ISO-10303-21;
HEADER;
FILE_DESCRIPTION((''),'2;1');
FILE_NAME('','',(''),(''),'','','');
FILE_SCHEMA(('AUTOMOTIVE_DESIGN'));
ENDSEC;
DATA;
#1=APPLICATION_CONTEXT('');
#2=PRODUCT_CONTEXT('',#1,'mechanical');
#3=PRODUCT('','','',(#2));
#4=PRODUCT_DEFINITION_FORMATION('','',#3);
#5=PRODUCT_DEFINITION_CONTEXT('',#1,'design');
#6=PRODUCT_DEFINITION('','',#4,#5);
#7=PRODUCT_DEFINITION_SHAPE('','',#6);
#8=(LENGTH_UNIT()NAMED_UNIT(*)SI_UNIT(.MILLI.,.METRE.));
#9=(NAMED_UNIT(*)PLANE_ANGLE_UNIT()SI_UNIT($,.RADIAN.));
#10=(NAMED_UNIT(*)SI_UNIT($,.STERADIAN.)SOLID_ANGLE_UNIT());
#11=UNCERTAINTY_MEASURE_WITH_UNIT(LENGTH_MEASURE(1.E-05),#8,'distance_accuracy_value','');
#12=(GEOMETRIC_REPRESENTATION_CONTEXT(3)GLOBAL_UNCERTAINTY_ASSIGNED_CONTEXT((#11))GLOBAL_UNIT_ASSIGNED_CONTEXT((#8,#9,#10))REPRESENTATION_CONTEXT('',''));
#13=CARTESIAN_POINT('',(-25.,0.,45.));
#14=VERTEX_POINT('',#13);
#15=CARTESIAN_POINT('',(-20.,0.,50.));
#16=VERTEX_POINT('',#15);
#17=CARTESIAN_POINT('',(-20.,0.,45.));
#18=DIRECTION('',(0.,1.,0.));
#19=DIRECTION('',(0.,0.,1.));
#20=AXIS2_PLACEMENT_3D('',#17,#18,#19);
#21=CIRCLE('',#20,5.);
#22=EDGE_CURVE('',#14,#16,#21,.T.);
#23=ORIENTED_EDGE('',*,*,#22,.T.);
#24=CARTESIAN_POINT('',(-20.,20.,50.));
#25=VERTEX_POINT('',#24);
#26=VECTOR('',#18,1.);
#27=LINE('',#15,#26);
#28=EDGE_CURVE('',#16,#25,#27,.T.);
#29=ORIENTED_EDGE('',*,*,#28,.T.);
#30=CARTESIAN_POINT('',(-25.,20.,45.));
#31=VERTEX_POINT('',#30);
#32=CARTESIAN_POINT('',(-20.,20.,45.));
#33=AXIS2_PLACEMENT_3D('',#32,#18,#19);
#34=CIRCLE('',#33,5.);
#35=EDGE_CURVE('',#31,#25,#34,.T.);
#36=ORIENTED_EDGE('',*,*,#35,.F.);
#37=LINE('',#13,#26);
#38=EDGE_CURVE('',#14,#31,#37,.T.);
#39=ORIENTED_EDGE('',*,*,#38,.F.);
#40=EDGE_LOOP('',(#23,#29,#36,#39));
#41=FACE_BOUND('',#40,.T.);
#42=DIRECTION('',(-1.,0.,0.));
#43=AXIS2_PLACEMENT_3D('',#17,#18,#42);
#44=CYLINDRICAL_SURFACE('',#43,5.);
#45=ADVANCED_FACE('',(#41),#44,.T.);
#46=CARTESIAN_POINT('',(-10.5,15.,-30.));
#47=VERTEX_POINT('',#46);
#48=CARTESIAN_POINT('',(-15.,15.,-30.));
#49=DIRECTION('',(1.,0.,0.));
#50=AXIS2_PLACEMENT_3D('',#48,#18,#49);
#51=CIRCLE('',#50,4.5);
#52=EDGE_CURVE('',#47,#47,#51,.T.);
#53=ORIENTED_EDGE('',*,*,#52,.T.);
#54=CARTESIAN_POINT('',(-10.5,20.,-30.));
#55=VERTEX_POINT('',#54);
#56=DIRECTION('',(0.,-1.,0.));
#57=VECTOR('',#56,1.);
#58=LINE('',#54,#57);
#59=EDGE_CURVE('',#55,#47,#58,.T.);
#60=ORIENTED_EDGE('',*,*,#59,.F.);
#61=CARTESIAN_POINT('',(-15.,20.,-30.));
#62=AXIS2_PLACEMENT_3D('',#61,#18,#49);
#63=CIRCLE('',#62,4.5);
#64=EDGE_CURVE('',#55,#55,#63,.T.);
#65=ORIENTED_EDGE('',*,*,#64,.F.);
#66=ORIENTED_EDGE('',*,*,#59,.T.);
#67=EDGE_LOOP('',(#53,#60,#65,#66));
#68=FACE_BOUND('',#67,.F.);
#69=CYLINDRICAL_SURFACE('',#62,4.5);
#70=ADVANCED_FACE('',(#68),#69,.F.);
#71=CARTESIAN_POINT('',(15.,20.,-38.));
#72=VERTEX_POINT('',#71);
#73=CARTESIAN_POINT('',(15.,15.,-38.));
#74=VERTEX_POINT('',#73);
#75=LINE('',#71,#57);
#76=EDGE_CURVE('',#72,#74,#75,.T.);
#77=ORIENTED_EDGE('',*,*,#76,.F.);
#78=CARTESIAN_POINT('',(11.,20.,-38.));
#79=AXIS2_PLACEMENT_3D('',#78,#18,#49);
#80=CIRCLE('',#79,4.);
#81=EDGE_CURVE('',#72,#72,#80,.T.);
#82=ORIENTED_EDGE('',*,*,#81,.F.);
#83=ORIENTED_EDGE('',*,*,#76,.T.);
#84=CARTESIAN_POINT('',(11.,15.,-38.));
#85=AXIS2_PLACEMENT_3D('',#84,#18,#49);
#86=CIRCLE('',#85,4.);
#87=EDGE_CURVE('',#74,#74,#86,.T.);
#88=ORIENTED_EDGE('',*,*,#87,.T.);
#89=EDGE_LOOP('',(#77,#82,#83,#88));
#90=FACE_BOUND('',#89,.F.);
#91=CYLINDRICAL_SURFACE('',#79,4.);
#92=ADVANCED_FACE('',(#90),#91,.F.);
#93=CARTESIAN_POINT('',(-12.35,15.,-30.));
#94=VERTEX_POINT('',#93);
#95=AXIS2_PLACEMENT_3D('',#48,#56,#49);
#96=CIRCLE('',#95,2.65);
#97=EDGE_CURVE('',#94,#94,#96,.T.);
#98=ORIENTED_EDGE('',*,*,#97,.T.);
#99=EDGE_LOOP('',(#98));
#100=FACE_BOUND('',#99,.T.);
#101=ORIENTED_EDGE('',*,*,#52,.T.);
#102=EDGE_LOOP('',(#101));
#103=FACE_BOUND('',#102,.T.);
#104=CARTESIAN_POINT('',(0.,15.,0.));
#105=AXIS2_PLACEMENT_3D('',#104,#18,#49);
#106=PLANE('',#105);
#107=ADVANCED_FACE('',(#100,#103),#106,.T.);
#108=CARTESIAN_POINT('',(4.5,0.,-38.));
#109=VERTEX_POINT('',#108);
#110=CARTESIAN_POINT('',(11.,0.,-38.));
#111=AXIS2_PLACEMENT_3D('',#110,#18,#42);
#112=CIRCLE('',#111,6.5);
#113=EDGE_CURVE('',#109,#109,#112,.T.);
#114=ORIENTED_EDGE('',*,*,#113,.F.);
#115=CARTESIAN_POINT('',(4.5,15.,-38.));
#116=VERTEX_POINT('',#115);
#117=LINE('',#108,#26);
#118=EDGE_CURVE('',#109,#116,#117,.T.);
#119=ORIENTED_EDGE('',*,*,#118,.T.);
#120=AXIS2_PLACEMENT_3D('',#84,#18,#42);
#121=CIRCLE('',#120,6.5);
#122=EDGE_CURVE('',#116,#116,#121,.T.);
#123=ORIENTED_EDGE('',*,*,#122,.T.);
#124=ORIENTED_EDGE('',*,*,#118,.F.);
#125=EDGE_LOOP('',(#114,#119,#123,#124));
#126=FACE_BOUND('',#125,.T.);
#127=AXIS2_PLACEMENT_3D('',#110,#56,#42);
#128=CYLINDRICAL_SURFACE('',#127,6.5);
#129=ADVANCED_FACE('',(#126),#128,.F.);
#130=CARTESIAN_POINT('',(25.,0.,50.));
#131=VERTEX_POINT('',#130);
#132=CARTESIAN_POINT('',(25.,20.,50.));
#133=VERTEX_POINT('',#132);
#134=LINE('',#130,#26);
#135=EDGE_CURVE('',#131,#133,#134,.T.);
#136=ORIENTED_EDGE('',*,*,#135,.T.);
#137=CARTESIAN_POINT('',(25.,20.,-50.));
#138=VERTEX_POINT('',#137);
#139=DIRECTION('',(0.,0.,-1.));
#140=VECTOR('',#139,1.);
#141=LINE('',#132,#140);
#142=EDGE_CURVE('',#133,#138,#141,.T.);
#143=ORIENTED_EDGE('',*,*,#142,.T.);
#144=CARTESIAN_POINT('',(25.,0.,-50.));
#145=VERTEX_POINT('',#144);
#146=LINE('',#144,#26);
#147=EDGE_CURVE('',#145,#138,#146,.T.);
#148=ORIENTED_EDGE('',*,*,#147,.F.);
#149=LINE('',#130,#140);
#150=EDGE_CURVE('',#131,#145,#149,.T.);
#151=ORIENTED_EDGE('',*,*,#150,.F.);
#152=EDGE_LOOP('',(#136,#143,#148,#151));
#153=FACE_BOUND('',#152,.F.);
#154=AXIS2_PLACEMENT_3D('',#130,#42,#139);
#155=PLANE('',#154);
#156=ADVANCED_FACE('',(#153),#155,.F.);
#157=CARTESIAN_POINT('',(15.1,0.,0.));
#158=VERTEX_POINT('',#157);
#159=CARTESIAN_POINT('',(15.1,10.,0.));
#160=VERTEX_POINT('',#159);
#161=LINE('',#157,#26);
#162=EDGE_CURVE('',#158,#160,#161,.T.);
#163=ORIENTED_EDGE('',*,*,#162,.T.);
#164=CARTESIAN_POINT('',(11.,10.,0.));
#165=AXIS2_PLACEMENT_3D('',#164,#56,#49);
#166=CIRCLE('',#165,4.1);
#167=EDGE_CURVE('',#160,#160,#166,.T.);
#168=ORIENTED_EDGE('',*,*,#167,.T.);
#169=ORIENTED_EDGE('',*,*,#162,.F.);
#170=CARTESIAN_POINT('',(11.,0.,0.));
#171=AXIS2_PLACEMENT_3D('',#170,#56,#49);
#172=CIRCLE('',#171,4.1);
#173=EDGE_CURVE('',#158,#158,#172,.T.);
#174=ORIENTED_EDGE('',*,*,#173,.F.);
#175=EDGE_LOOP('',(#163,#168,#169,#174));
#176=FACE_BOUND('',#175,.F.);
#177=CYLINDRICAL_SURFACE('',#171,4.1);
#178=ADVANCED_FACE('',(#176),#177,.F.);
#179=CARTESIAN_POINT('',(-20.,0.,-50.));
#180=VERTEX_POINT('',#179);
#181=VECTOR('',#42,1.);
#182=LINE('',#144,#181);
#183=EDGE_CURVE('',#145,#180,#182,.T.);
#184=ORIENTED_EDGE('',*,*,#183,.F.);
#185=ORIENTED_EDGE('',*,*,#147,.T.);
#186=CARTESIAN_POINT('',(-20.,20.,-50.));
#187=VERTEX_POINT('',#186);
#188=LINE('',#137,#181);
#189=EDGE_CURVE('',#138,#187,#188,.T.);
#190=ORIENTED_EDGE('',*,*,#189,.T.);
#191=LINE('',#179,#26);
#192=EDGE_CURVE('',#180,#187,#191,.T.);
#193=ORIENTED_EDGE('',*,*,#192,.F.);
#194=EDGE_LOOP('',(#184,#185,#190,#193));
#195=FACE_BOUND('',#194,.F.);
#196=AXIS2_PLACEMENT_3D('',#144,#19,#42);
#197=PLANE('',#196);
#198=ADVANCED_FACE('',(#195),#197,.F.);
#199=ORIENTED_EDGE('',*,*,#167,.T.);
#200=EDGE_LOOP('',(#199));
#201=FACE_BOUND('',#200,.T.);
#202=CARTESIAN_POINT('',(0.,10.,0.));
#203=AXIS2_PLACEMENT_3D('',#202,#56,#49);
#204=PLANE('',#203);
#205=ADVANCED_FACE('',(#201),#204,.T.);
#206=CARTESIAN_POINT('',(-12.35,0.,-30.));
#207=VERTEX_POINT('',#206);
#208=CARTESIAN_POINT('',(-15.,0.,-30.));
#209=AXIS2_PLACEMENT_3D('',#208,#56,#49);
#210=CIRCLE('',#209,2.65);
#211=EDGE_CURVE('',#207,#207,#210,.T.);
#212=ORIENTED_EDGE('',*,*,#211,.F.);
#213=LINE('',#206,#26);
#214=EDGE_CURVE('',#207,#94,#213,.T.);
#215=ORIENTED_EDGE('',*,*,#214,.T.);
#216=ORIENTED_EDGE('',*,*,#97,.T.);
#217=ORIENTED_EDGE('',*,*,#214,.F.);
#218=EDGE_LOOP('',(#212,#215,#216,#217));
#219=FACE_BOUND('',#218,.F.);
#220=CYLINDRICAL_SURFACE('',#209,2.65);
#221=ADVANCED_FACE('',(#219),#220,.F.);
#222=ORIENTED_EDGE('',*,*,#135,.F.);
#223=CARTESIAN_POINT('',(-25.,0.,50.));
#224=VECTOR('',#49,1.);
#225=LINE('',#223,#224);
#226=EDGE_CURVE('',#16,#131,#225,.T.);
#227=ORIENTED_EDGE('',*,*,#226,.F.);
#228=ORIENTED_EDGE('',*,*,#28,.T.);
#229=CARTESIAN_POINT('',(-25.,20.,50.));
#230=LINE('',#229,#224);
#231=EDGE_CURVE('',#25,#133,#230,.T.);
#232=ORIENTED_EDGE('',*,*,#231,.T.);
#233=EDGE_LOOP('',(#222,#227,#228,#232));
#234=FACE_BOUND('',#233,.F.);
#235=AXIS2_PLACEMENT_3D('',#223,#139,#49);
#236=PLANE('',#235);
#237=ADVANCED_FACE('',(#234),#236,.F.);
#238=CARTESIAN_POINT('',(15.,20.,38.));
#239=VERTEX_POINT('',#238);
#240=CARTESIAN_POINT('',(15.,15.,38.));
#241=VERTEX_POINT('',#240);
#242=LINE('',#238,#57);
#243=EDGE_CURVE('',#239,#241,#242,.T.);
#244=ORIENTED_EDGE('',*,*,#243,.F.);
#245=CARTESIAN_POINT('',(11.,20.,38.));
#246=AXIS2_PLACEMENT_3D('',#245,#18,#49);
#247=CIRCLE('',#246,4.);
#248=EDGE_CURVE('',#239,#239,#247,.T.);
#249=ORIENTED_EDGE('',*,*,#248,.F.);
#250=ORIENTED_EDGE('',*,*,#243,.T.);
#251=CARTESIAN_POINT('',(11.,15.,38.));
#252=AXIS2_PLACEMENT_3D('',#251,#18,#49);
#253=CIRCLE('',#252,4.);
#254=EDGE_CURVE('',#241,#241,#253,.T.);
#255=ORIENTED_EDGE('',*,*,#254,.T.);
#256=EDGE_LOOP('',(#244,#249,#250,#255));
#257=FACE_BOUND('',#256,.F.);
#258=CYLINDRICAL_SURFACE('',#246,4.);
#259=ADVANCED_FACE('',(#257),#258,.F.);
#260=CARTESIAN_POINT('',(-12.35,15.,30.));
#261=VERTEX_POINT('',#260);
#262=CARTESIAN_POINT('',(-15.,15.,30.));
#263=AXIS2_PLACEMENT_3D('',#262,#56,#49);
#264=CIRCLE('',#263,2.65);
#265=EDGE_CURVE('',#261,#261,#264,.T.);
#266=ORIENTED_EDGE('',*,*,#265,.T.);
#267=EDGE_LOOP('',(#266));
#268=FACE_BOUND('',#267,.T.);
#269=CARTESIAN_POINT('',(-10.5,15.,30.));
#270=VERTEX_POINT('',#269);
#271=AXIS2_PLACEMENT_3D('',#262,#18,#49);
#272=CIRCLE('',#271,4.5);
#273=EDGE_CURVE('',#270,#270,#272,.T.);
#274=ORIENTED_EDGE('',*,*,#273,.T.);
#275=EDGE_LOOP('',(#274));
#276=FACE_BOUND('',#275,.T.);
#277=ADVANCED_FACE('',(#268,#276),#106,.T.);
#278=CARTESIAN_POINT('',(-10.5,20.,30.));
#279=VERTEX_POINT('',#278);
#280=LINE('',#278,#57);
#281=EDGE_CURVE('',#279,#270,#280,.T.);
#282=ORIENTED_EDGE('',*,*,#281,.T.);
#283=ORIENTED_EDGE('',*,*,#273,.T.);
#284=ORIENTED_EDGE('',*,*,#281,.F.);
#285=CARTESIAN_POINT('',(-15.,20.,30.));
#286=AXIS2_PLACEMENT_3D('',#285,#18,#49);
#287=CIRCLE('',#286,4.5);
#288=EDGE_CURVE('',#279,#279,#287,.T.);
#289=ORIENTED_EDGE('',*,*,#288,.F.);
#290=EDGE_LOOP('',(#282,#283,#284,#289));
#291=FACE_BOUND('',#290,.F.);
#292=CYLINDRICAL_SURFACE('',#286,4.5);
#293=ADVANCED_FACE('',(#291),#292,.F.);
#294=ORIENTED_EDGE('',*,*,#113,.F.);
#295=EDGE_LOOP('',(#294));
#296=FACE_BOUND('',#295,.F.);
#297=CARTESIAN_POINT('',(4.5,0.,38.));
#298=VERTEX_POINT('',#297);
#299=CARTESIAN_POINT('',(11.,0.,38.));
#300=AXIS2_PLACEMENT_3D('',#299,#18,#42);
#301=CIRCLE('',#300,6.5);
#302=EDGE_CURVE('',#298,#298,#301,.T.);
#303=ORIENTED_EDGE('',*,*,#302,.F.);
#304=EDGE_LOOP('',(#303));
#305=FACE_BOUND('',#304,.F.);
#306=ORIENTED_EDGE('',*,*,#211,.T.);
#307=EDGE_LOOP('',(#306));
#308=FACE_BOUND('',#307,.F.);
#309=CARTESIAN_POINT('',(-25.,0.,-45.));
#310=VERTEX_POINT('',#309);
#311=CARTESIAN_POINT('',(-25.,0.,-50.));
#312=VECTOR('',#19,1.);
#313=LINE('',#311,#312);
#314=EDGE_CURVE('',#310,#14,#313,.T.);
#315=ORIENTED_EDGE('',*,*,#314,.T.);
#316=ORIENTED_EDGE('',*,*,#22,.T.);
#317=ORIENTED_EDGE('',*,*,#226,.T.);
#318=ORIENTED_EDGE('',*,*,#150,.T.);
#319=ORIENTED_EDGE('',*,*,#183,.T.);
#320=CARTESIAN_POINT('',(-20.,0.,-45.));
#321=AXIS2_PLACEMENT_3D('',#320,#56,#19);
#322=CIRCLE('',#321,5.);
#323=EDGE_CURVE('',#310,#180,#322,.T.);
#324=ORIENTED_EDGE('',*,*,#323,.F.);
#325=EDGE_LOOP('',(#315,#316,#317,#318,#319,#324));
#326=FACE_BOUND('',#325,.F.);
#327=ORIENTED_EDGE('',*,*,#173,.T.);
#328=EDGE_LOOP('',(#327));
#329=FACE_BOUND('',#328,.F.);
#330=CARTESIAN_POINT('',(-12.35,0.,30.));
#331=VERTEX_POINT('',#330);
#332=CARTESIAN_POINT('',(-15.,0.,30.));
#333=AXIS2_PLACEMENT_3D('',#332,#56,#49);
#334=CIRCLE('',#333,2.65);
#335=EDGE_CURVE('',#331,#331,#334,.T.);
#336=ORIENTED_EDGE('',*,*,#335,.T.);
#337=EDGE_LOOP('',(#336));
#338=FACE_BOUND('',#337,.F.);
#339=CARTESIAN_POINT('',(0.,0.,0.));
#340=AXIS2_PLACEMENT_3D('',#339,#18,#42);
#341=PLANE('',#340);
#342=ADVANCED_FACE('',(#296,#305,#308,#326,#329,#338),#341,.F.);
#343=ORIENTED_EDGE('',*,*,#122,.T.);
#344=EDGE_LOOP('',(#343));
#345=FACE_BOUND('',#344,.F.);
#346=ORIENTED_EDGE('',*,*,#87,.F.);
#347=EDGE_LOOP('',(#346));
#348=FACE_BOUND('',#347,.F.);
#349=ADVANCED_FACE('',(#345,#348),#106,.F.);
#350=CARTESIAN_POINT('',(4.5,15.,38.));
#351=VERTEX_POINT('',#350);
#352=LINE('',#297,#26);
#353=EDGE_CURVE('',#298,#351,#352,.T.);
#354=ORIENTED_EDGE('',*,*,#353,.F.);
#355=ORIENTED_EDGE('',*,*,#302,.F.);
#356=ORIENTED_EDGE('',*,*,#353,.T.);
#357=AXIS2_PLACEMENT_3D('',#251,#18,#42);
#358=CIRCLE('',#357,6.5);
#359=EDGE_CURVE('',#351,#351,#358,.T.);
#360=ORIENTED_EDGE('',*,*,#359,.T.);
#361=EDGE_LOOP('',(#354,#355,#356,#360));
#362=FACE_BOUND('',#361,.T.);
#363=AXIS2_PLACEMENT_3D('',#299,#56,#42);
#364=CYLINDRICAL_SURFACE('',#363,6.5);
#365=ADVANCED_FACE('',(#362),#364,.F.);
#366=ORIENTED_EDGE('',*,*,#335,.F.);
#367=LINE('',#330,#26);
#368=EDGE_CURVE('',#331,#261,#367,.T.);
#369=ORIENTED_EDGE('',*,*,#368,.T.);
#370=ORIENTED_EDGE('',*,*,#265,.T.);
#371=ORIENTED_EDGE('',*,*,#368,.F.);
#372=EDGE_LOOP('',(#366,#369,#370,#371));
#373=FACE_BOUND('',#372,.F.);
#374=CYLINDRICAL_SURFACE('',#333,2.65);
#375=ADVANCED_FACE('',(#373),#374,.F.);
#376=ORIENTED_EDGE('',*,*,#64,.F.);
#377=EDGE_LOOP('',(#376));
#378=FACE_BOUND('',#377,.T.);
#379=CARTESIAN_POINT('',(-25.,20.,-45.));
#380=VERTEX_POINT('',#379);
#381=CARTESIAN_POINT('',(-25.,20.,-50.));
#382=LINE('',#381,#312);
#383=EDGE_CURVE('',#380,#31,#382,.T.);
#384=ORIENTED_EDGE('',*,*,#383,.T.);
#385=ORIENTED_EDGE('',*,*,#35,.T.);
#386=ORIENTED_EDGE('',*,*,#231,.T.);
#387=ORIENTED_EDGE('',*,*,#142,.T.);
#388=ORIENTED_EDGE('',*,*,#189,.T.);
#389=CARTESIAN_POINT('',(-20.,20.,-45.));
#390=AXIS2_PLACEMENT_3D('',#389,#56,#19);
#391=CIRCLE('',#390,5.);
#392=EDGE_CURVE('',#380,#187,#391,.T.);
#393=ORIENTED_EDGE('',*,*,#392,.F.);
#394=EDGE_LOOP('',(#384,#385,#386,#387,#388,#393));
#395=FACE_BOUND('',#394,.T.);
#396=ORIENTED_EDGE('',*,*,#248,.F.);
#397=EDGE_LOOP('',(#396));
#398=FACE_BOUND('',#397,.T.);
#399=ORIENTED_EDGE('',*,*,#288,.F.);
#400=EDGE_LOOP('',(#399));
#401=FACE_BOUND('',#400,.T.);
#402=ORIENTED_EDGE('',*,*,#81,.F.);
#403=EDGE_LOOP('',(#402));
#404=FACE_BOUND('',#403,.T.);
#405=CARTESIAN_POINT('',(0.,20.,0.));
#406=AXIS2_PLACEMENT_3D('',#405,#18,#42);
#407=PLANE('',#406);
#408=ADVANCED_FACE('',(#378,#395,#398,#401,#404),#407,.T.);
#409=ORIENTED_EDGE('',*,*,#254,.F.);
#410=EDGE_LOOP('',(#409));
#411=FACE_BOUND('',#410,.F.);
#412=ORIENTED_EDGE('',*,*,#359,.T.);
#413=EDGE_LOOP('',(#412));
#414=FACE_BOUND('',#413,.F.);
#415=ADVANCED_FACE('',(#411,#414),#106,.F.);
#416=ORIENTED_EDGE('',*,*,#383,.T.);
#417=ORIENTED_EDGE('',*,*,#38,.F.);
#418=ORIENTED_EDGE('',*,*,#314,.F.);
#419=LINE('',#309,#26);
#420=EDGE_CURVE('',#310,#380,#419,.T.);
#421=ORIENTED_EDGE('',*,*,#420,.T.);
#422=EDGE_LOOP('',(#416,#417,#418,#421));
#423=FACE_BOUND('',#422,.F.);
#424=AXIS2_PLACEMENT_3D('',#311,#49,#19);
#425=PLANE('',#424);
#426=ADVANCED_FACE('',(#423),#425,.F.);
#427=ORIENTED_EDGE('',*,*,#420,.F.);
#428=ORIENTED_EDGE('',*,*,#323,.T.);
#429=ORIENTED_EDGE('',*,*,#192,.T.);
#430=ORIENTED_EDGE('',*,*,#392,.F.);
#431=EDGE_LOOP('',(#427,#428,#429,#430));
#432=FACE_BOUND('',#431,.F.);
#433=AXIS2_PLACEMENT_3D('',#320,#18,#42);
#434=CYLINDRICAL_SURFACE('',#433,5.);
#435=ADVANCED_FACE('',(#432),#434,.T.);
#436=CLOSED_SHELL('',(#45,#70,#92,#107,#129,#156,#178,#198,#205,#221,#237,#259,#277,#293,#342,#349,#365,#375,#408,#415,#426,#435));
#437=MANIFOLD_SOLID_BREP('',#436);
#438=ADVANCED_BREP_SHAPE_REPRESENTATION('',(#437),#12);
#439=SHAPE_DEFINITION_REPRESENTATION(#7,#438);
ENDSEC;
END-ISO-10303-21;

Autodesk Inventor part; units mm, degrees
ref_plane "YZ Plane" through (0, 0, 0) normal (1, 0, 0) x (0, 1, 0)
ref_plane "XZ Plane" through (0, 0, 0) normal (0, 1, 0) x (-1, 0, 0)
ref_plane "XY Plane" through (0, 0, 0) normal (0, 0, 1) x (1, 0, 0)
sketch "Sketch1" plane through (0, 0, 0) normal (0, 1, 0) x (-1, 0, 0)
  line L0 (25, 50) -> (-25, 50)
  line L1 (-25, 50) -> (-25, -50)
  line L2 (-25, -50) -> (25, -50)
  line L3 (25, -50) -> (25, 50)
  line L4 (25, 50) -> (-25, -50) construction
  line L5 (-25, 50) -> (25, -50) construction
  circle A0 centre (-11, 38) radius 6.5
  circle A1 centre (-11, -38) radius 6.5
  point P0 (0, 0)
  dimension "d0" = 13
  dimension "d1" = 100
  dimension "d2" = 50
  dimension "d3" = 14
  dimension "d4" = 12
  dimension "d5" = 12
extrude "Extrusion1" add sketch "Sketch1" along normal blind 20
sketch "Sketch2" plane through (0, 20, 0) normal (0, 1, 0) x (1, 0, 0)
  circle A0 centre (11, -38) radius 6.5 projected
  circle A1 centre (11, -38) radius 4
  circle A2 centre (11, 38) radius 6.5 projected
  circle A3 centre (11, 38) radius 4
  point P0 (0, 0)
  dimension "d8" = 8
  dimension "d9" = 8
extrude "Extrusion2" add sketch "Sketch2" against normal blind 5
sketch "Sketch3" plane through (0, 0, 0) normal (0, -1, 0) x (1, 0, 0)
  circle A0 centre (-15, -30) radius 2.65
  circle A1 centre (-15, 30) radius 2.65
  line L0 (-25, -50) -> (-25, 50) projected
  line L1 (25, -50) -> (-25, -50) projected
  line L2 (-25, 50) -> (25, 50) projected
  point P0 (0, 0)
  dimension "d12" = 5.3
  dimension "d13" = 10
  dimension "d14" = 20
  dimension "d15" = 20
  dimension "d16" = 10
extrude "Extrusion3" cut sketch "Sketch3" against normal through all
fillet "Fillet1" radius 5 2 edges at (-25, 10, -50) (-25, 10, 50)
sketch "Sketch4" plane through (0, 20, 0) normal (0, 1, 0) x (1, 0, 0)
  circle A0 centre (-15, -30) radius 2.65 projected
  line L0 (-19.734, -29.95) -> (-17.3237, -25.8752)
  line L1 (-17.3237, -25.8752) -> (-12.5897, -25.9252)
  line L2 (-12.5897, -25.9252) -> (-10.266, -30.05)
  line L3 (-10.266, -30.05) -> (-12.6763, -34.1248)
  line L4 (-12.6763, -34.1248) -> (-17.4103, -34.0748)
  line L5 (-17.4103, -34.0748) -> (-19.734, -29.95)
  circle A1 centre (-15, -30) radius 4.1
  circle A2 centre (-15, 30) radius 2.65 projected
  line L6 (-19.7332, 30.1003) -> (-17.2797, 34.1492)
  line L7 (-17.2797, 34.1492) -> (-12.5465, 34.0489)
  line L8 (-12.5465, 34.0489) -> (-10.2668, 29.8997)
  line L9 (-10.2668, 29.8997) -> (-12.7203, 25.8508)
  line L10 (-12.7203, 25.8508) -> (-17.4535, 25.9511)
  line L11 (-17.4535, 25.9511) -> (-19.7332, 30.1003)
  circle A3 centre (-15, 30) radius 4.1
  point P0 (0, 0)
  dimension "d20" = 8.2
extrude "Extrusion4" [suppressed]
sketch "Sketch5" plane through (25, 0, 50) normal (1, 0, 0) x (0, 0, -1)
  line L0 (100, 0) -> (100, 20) projected
  line L1 (100, 20) -> (120, 20)
  line L2 (120, 20) -> (120, 0)
  line L3 (120, 0) -> (100, 0)
  line L4 (100, 0) -> (100, 20)
  circle A0 centre (110, 10) radius 2.75
  line L5 (0, 0) -> (0, 20) projected
  line L6 (0, 0) -> (-20, 0)
  line L7 (-20, 0) -> (-20, 20)
  line L8 (-20, 20) -> (0, 20)
  line L9 (0, 20) -> (0, 0)
  circle A1 centre (-10, 10) radius 2.75
  point P0 (50, 0)
  point P1 (0, 20)
  dimension "d23" = 20
  dimension "d24" = 5.5
  dimension "d27" = 20
  dimension "d28" = 20
  dimension "d29" = 20
  dimension "d30" = 5.5
extrude "Extrusion5" [suppressed]
chamfer "Chamfer1" [suppressed]
sketch "Sketch6" plane through (5, 0, 50) normal (-1, 0, 0) x (0, 0, 1)
  arc A0 (-110, 12.75) -> (-110, 7.25) centre (-110, 10) ccw projected
  circle A1 centre (-110, 10) radius 4.75
  circle A2 centre (10, 10) radius 2.75 projected
  circle A3 centre (10, 10) radius 4.75
  point P0 (-50, 0)
  dimension "d34" = 9.5
extrude "Extrusion6" [suppressed]
fillet "Fillet2" [suppressed]
sketch "Sketch7" plane through (0, 20, 0) normal (0, 1, 0) x (1, 0, 0)
  circle A0 centre (-15, 30) radius 2.65 projected
  circle A1 centre (-15, 30) radius 4.5
  circle A2 centre (-15, -30) radius 2.65 projected
  circle A3 centre (-15, -30) radius 4.5
  point P0 (0, 0)
  dimension "d38" = 9
extrude "Extrusion7" cut sketch "Sketch7" against normal blind 5 contours A0 | A1 | A2 | A3
sketch "Sketch8" plane through (0, 0, 0) normal (0, -1, 0) x (1, 0, 0)
  circle A0 centre (11, 0) radius 4.1
  circle A1 centre (11, -38) radius 6.5 projected
  line L0 (25, 50) -> (25, -50) projected
  line L1 (-20, 50) -> (25, 50) projected
  arc A2 (-20, 50) -> (-25, 45) centre (-20, 45) ccw projected
  line L2 (-25, -45) -> (-25, 45) projected
  arc A3 (-25, -45) -> (-20, -50) centre (-20, -45) ccw projected
  line L3 (25, -50) -> (-20, -50) projected
  circle A4 centre (-15, 30) radius 2.65 projected
  circle A5 centre (-15, -30) radius 2.65 projected
  circle A6 centre (11, 38) radius 6.5 projected
  circle A7 centre (11, -38) radius 6.5 projected
  point P0 (0, 0)
  dimension "d41" = 8.2
extrude "Extrusion8" cut sketch "Sketch8" against normal blind 10 contours A0
properties part number "Stationaryjaw"
